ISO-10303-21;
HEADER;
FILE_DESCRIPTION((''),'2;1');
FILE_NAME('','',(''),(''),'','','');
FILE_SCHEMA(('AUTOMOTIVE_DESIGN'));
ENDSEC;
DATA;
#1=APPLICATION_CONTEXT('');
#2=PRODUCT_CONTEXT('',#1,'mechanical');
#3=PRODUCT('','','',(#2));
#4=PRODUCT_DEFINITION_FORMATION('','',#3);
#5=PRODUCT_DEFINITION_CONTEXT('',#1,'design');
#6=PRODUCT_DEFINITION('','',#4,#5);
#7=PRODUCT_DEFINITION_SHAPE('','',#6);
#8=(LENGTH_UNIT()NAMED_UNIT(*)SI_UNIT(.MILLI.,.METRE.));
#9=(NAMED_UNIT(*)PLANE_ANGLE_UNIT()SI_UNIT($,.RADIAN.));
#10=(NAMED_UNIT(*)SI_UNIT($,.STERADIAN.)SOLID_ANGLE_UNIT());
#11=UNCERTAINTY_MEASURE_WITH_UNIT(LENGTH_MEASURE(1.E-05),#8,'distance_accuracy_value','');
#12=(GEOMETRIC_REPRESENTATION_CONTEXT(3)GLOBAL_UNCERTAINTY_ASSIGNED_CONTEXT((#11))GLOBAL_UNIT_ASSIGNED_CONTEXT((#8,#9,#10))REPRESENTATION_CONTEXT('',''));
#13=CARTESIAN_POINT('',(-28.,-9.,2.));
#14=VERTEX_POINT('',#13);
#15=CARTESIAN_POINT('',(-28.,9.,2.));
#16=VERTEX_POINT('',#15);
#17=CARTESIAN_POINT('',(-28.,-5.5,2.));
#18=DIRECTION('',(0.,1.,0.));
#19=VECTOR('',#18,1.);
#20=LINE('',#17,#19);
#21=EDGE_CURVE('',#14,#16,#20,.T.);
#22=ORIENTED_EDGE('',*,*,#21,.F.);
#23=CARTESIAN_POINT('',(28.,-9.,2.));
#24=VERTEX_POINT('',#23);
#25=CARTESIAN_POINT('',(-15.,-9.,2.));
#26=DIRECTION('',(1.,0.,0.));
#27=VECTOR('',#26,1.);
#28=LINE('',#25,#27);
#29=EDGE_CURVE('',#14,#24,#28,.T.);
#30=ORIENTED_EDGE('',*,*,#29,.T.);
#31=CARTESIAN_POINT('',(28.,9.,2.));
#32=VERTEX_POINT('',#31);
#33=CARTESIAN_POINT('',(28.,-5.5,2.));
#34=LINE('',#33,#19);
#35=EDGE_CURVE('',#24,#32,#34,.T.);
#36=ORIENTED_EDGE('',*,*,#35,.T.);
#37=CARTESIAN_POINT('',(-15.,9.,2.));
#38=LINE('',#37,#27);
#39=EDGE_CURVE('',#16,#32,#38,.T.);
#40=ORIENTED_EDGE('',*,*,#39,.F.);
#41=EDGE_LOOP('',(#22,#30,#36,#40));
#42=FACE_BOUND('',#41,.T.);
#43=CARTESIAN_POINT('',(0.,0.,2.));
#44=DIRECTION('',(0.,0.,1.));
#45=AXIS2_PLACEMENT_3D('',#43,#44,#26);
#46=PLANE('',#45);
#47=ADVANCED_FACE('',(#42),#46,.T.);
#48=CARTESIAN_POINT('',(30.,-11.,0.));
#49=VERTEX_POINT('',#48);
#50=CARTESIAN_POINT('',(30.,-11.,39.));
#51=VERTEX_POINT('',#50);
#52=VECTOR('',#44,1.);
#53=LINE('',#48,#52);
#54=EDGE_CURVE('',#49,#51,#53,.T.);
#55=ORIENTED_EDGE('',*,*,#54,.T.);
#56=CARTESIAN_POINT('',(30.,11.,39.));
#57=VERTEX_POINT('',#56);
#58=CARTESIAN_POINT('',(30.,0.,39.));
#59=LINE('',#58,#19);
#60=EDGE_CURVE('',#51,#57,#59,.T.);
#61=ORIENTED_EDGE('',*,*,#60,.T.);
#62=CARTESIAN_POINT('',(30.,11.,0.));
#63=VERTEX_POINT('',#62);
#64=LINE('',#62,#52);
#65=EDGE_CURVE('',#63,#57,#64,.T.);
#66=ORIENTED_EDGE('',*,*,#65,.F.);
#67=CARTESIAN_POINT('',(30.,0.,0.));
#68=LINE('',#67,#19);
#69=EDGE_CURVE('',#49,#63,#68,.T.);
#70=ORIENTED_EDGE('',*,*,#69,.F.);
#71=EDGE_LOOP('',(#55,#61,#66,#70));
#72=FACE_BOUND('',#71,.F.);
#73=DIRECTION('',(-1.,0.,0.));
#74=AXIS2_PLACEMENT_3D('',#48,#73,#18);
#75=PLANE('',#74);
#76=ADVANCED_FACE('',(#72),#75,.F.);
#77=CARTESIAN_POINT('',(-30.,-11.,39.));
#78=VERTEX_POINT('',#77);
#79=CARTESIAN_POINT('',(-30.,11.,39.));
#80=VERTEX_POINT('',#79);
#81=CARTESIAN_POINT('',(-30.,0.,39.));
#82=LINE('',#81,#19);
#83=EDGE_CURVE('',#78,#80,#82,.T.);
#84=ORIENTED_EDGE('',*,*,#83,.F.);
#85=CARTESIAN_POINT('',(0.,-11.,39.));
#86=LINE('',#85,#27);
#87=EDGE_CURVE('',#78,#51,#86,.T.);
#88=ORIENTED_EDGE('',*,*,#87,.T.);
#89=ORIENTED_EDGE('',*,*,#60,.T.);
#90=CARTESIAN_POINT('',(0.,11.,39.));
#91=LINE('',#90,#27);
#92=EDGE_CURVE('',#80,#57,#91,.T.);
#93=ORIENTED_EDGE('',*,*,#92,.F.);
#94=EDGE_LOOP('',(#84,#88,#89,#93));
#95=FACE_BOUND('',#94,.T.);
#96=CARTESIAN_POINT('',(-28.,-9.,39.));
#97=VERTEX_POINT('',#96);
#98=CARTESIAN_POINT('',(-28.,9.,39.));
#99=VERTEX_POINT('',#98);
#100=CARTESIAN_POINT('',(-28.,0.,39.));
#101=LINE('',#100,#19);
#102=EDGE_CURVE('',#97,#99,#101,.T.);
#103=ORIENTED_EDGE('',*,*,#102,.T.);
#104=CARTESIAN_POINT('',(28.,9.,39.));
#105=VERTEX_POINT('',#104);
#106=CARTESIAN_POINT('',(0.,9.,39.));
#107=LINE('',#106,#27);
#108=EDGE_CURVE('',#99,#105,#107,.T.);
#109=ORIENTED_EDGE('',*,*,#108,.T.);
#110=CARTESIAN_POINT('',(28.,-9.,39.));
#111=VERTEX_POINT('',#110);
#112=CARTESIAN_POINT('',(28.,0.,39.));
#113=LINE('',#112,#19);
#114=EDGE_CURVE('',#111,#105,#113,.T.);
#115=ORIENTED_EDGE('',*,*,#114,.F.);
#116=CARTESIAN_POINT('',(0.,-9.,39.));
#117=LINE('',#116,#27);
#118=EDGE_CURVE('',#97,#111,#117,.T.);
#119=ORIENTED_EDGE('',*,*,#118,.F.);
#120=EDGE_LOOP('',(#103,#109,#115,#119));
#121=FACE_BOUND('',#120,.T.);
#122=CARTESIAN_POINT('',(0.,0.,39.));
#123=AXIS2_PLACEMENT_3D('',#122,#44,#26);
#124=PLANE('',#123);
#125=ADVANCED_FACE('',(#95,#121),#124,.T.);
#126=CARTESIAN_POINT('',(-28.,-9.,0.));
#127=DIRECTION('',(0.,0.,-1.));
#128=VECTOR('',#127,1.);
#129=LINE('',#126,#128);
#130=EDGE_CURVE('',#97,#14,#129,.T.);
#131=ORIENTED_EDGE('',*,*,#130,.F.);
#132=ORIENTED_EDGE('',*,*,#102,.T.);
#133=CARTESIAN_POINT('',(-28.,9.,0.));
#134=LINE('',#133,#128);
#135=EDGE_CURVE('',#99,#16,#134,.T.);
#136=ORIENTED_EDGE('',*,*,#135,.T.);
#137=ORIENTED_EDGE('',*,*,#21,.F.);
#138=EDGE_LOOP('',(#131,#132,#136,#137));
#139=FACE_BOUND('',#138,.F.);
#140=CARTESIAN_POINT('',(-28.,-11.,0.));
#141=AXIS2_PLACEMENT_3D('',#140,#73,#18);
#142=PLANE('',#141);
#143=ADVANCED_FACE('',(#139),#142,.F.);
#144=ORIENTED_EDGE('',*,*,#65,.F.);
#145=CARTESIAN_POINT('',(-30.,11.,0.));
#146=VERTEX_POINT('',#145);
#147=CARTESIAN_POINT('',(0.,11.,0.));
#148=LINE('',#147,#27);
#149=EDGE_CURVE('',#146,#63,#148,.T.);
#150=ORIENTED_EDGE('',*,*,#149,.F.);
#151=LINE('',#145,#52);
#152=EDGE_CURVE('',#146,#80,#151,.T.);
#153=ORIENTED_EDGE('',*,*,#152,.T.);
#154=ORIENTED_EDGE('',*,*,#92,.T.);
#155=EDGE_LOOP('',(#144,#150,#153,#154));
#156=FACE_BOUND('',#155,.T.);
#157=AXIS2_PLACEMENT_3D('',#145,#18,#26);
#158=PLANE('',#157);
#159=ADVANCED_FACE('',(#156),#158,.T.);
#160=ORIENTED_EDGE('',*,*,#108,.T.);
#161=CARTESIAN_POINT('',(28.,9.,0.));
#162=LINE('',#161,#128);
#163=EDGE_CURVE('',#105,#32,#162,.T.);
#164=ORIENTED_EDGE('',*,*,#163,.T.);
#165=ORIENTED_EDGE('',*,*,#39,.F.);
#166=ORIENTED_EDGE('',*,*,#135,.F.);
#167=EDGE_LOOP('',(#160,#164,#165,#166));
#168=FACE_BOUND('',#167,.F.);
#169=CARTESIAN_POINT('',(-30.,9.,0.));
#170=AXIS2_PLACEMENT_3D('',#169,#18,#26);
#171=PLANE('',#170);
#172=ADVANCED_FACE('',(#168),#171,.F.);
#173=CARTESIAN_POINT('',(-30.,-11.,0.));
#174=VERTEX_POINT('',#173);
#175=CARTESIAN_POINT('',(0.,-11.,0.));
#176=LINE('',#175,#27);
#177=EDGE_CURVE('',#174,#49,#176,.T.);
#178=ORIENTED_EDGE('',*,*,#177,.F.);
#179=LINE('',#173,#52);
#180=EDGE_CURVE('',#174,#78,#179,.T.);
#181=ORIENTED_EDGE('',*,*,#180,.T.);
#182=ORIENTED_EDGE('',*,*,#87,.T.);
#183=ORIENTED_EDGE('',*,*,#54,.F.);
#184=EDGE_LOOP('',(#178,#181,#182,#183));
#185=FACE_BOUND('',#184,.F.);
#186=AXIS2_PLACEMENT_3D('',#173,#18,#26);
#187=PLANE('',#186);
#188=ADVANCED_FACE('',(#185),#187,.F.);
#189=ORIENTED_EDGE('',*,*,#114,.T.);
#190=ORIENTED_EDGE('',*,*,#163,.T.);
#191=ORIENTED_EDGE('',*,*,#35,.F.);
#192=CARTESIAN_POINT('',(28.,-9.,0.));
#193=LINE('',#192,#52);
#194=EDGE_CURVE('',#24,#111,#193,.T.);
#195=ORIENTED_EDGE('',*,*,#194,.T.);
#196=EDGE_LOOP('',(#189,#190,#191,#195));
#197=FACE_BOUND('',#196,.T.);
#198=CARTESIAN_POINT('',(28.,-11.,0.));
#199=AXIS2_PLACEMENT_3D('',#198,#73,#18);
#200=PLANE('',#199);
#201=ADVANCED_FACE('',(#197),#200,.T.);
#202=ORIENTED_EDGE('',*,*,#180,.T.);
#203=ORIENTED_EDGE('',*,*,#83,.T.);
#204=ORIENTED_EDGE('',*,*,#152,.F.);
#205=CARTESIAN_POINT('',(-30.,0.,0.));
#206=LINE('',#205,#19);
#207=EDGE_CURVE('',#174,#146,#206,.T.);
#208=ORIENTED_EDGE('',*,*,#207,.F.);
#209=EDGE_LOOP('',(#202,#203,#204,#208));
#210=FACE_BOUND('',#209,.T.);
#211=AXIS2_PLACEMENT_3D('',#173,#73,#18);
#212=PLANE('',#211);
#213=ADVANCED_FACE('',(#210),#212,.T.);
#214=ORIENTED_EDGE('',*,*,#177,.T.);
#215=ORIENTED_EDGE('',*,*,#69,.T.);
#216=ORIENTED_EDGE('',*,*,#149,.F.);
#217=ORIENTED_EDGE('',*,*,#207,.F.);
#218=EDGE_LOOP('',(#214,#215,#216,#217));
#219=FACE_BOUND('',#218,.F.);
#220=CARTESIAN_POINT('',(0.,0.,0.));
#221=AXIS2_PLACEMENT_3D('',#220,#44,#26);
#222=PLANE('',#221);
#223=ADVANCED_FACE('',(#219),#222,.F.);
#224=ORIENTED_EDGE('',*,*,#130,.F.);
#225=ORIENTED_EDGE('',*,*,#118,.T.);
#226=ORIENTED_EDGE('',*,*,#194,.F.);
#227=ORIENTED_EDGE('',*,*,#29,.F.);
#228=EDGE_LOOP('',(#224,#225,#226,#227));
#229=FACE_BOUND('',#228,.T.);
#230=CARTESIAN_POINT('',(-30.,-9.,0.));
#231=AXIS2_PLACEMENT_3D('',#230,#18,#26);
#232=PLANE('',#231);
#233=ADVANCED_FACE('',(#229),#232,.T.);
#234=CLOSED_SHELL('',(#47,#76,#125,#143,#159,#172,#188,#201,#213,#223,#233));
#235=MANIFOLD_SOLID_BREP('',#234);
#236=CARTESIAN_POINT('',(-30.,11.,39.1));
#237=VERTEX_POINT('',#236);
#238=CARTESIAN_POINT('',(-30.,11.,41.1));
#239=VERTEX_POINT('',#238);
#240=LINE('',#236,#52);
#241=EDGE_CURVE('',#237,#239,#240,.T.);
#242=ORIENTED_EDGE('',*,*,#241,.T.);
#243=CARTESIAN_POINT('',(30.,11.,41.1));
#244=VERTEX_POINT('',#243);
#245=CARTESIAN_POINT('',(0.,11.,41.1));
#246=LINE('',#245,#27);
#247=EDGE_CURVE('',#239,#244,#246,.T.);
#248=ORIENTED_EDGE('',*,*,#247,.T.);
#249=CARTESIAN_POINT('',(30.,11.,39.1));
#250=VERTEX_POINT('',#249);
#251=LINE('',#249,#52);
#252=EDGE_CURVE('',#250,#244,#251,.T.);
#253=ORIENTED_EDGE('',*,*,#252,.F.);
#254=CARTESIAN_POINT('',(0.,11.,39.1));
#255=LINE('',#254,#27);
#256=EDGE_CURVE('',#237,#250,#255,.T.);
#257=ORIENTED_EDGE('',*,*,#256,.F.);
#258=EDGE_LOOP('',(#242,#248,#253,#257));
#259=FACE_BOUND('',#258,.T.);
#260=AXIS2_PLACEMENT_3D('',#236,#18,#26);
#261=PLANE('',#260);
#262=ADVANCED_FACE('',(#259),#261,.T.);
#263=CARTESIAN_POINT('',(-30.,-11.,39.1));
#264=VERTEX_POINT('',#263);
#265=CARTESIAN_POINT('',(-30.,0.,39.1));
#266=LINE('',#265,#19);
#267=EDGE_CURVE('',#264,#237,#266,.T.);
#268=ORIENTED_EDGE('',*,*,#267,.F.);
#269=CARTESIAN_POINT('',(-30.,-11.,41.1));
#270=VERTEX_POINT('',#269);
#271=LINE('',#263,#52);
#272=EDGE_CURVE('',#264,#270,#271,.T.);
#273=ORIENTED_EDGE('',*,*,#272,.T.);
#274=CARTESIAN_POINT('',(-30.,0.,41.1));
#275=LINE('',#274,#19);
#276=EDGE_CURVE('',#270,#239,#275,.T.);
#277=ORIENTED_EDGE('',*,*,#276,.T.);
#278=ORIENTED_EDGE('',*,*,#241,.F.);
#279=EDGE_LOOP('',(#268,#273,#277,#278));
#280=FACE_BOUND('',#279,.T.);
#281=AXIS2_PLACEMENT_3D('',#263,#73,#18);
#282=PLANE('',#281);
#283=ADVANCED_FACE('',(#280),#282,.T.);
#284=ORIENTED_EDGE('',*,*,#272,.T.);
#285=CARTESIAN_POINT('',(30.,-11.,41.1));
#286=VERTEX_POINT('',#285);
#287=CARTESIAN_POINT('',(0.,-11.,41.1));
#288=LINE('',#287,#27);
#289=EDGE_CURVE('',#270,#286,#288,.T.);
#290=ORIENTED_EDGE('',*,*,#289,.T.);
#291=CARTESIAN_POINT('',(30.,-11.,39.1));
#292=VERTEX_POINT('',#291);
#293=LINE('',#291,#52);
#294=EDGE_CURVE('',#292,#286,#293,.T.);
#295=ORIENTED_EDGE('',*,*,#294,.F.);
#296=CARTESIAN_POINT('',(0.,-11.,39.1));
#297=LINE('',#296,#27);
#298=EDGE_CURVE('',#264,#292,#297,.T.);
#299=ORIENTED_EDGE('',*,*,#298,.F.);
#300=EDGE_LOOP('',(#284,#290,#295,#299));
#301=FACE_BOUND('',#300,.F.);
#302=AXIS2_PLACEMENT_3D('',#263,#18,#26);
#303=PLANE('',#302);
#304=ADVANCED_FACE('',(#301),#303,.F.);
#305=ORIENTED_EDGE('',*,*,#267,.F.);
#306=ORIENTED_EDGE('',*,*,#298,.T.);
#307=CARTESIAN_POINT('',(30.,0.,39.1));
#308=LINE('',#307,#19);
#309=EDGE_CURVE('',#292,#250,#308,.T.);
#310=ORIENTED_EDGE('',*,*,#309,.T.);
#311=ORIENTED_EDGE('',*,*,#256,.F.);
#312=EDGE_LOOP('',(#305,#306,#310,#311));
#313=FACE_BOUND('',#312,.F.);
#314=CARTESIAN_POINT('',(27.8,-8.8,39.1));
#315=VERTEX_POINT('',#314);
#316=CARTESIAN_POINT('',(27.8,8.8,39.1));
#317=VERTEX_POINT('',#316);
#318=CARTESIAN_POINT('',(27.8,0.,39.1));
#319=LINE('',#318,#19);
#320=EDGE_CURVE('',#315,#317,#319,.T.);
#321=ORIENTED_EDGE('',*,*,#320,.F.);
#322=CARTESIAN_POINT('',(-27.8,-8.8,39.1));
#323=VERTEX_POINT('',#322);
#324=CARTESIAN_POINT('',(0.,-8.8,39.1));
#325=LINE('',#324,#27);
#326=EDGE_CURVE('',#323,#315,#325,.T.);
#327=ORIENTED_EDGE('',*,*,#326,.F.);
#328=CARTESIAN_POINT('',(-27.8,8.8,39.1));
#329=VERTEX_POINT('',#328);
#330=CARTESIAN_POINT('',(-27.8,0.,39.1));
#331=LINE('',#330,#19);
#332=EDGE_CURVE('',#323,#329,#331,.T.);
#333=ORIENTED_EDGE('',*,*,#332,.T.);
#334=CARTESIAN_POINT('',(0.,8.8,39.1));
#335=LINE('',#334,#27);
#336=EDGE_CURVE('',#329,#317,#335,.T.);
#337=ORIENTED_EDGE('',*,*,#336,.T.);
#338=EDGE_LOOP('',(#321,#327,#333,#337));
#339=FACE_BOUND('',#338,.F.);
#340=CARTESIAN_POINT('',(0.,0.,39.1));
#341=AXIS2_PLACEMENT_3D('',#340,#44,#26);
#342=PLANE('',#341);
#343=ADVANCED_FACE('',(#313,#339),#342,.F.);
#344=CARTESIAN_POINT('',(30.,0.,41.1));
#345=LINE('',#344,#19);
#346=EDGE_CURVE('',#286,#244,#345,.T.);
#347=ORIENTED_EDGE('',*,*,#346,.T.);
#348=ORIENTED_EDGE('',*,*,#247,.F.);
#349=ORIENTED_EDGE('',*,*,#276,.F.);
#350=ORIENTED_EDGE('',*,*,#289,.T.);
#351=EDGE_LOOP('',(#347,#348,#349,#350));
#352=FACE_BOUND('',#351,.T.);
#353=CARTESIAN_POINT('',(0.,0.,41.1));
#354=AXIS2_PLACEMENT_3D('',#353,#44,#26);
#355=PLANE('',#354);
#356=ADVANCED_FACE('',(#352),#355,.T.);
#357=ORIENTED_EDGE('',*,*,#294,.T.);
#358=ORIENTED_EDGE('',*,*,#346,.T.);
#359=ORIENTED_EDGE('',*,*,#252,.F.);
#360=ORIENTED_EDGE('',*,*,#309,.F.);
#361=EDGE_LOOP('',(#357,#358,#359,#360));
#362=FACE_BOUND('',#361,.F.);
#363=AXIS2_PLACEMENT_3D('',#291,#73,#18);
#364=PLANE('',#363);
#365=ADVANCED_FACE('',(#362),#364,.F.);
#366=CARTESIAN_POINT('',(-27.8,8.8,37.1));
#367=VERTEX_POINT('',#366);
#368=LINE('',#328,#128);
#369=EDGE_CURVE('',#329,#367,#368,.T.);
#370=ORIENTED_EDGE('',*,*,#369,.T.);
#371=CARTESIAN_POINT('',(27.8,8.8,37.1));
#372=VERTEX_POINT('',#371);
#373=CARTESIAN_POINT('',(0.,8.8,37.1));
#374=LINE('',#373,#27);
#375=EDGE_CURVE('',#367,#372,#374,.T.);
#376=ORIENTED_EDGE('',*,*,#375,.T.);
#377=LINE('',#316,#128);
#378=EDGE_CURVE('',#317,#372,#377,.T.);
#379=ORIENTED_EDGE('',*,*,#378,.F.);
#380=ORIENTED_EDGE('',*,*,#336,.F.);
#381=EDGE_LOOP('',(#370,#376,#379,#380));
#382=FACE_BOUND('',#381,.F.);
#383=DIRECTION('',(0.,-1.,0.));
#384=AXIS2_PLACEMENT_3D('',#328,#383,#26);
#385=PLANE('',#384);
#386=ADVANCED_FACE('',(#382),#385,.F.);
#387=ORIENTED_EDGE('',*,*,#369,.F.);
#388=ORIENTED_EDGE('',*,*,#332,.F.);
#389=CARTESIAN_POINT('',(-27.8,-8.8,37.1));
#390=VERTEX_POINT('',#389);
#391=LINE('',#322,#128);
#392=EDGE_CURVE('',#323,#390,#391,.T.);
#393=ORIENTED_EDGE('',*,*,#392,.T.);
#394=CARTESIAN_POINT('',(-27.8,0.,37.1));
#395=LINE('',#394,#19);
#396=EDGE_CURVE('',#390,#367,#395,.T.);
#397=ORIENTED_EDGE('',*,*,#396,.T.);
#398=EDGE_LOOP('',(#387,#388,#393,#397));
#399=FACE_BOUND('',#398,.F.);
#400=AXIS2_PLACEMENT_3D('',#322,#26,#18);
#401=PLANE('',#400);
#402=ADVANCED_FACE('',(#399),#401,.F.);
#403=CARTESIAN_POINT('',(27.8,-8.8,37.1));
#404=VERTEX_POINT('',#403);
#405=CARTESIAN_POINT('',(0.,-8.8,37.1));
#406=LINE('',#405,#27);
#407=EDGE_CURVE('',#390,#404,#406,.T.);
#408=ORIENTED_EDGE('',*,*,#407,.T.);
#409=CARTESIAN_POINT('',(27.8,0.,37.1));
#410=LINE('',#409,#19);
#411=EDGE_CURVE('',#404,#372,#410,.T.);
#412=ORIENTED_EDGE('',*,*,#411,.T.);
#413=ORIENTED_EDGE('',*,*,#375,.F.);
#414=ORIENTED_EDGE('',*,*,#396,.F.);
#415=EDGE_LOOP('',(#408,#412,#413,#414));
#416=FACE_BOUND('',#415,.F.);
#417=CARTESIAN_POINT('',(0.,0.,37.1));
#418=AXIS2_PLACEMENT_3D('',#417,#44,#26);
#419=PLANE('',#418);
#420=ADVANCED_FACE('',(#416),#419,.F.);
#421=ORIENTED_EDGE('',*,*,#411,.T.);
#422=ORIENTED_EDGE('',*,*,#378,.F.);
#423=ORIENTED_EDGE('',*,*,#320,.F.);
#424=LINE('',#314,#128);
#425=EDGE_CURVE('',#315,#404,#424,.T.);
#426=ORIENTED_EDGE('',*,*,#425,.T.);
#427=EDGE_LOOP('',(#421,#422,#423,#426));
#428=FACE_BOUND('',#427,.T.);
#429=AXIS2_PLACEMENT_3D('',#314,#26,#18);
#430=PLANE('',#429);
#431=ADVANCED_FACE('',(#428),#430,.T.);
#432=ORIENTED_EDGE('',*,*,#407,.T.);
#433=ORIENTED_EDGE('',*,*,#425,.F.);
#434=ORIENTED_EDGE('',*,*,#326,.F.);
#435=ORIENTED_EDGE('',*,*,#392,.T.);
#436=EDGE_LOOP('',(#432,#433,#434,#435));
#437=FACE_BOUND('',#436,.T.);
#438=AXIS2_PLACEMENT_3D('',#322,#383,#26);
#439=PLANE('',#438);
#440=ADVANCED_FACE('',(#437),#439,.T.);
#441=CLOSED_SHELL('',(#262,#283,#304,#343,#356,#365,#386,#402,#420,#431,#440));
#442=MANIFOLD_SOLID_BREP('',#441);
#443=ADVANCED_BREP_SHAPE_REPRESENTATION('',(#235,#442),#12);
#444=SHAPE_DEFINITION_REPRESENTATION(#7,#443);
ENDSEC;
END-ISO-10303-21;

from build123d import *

# Parameters (mm, degrees)
F0_W     = 60
F0_H     = 22
F1_DEPTH = 39
F2_T     = -2
F4_W     = 60
F4_H     = 22
F4_W_2   = 56
F4_H_2   = 18
F4_W_3   = 55.6
F4_H_3   = 17.6
F5_DEPTH = 2
F6_DEPTH = 2


with BuildPart() as f1:
    # F0 (on Top) → F1 (new body)
    with BuildSketch(Plane.XY):
        Rectangle(F0_W, F0_H)
    extrude(amount=F1_DEPTH)

    # F2
    f2_openings = [f1.faces().sort_by_distance(p)[0] for p in [
        (0, 0, 39),
    ]]
    offset(amount=F2_T, openings=f2_openings)


with BuildPart() as f5:
    # F4 (on offset) → F5 (new body)
    with BuildSketch(Plane.XY.offset(39.1)):
        Rectangle(F4_W, F4_H)
        Rectangle(F4_W_2, F4_H_2, mode=Mode.SUBTRACT)
        Rectangle(F4_W_2, F4_H_2)
        Rectangle(F4_W_3, F4_H_3, mode=Mode.SUBTRACT)
        Rectangle(F4_W_3, F4_H_3)
    extrude(amount=F5_DEPTH)

    # F4 (on offset) → F6 (join)
    with BuildSketch(Plane.XY.offset(39.1)):
        Rectangle(F4_W_3, F4_H_3)
    extrude(amount=-F6_DEPTH)


solid = Compound([f1.part, f5.part])
